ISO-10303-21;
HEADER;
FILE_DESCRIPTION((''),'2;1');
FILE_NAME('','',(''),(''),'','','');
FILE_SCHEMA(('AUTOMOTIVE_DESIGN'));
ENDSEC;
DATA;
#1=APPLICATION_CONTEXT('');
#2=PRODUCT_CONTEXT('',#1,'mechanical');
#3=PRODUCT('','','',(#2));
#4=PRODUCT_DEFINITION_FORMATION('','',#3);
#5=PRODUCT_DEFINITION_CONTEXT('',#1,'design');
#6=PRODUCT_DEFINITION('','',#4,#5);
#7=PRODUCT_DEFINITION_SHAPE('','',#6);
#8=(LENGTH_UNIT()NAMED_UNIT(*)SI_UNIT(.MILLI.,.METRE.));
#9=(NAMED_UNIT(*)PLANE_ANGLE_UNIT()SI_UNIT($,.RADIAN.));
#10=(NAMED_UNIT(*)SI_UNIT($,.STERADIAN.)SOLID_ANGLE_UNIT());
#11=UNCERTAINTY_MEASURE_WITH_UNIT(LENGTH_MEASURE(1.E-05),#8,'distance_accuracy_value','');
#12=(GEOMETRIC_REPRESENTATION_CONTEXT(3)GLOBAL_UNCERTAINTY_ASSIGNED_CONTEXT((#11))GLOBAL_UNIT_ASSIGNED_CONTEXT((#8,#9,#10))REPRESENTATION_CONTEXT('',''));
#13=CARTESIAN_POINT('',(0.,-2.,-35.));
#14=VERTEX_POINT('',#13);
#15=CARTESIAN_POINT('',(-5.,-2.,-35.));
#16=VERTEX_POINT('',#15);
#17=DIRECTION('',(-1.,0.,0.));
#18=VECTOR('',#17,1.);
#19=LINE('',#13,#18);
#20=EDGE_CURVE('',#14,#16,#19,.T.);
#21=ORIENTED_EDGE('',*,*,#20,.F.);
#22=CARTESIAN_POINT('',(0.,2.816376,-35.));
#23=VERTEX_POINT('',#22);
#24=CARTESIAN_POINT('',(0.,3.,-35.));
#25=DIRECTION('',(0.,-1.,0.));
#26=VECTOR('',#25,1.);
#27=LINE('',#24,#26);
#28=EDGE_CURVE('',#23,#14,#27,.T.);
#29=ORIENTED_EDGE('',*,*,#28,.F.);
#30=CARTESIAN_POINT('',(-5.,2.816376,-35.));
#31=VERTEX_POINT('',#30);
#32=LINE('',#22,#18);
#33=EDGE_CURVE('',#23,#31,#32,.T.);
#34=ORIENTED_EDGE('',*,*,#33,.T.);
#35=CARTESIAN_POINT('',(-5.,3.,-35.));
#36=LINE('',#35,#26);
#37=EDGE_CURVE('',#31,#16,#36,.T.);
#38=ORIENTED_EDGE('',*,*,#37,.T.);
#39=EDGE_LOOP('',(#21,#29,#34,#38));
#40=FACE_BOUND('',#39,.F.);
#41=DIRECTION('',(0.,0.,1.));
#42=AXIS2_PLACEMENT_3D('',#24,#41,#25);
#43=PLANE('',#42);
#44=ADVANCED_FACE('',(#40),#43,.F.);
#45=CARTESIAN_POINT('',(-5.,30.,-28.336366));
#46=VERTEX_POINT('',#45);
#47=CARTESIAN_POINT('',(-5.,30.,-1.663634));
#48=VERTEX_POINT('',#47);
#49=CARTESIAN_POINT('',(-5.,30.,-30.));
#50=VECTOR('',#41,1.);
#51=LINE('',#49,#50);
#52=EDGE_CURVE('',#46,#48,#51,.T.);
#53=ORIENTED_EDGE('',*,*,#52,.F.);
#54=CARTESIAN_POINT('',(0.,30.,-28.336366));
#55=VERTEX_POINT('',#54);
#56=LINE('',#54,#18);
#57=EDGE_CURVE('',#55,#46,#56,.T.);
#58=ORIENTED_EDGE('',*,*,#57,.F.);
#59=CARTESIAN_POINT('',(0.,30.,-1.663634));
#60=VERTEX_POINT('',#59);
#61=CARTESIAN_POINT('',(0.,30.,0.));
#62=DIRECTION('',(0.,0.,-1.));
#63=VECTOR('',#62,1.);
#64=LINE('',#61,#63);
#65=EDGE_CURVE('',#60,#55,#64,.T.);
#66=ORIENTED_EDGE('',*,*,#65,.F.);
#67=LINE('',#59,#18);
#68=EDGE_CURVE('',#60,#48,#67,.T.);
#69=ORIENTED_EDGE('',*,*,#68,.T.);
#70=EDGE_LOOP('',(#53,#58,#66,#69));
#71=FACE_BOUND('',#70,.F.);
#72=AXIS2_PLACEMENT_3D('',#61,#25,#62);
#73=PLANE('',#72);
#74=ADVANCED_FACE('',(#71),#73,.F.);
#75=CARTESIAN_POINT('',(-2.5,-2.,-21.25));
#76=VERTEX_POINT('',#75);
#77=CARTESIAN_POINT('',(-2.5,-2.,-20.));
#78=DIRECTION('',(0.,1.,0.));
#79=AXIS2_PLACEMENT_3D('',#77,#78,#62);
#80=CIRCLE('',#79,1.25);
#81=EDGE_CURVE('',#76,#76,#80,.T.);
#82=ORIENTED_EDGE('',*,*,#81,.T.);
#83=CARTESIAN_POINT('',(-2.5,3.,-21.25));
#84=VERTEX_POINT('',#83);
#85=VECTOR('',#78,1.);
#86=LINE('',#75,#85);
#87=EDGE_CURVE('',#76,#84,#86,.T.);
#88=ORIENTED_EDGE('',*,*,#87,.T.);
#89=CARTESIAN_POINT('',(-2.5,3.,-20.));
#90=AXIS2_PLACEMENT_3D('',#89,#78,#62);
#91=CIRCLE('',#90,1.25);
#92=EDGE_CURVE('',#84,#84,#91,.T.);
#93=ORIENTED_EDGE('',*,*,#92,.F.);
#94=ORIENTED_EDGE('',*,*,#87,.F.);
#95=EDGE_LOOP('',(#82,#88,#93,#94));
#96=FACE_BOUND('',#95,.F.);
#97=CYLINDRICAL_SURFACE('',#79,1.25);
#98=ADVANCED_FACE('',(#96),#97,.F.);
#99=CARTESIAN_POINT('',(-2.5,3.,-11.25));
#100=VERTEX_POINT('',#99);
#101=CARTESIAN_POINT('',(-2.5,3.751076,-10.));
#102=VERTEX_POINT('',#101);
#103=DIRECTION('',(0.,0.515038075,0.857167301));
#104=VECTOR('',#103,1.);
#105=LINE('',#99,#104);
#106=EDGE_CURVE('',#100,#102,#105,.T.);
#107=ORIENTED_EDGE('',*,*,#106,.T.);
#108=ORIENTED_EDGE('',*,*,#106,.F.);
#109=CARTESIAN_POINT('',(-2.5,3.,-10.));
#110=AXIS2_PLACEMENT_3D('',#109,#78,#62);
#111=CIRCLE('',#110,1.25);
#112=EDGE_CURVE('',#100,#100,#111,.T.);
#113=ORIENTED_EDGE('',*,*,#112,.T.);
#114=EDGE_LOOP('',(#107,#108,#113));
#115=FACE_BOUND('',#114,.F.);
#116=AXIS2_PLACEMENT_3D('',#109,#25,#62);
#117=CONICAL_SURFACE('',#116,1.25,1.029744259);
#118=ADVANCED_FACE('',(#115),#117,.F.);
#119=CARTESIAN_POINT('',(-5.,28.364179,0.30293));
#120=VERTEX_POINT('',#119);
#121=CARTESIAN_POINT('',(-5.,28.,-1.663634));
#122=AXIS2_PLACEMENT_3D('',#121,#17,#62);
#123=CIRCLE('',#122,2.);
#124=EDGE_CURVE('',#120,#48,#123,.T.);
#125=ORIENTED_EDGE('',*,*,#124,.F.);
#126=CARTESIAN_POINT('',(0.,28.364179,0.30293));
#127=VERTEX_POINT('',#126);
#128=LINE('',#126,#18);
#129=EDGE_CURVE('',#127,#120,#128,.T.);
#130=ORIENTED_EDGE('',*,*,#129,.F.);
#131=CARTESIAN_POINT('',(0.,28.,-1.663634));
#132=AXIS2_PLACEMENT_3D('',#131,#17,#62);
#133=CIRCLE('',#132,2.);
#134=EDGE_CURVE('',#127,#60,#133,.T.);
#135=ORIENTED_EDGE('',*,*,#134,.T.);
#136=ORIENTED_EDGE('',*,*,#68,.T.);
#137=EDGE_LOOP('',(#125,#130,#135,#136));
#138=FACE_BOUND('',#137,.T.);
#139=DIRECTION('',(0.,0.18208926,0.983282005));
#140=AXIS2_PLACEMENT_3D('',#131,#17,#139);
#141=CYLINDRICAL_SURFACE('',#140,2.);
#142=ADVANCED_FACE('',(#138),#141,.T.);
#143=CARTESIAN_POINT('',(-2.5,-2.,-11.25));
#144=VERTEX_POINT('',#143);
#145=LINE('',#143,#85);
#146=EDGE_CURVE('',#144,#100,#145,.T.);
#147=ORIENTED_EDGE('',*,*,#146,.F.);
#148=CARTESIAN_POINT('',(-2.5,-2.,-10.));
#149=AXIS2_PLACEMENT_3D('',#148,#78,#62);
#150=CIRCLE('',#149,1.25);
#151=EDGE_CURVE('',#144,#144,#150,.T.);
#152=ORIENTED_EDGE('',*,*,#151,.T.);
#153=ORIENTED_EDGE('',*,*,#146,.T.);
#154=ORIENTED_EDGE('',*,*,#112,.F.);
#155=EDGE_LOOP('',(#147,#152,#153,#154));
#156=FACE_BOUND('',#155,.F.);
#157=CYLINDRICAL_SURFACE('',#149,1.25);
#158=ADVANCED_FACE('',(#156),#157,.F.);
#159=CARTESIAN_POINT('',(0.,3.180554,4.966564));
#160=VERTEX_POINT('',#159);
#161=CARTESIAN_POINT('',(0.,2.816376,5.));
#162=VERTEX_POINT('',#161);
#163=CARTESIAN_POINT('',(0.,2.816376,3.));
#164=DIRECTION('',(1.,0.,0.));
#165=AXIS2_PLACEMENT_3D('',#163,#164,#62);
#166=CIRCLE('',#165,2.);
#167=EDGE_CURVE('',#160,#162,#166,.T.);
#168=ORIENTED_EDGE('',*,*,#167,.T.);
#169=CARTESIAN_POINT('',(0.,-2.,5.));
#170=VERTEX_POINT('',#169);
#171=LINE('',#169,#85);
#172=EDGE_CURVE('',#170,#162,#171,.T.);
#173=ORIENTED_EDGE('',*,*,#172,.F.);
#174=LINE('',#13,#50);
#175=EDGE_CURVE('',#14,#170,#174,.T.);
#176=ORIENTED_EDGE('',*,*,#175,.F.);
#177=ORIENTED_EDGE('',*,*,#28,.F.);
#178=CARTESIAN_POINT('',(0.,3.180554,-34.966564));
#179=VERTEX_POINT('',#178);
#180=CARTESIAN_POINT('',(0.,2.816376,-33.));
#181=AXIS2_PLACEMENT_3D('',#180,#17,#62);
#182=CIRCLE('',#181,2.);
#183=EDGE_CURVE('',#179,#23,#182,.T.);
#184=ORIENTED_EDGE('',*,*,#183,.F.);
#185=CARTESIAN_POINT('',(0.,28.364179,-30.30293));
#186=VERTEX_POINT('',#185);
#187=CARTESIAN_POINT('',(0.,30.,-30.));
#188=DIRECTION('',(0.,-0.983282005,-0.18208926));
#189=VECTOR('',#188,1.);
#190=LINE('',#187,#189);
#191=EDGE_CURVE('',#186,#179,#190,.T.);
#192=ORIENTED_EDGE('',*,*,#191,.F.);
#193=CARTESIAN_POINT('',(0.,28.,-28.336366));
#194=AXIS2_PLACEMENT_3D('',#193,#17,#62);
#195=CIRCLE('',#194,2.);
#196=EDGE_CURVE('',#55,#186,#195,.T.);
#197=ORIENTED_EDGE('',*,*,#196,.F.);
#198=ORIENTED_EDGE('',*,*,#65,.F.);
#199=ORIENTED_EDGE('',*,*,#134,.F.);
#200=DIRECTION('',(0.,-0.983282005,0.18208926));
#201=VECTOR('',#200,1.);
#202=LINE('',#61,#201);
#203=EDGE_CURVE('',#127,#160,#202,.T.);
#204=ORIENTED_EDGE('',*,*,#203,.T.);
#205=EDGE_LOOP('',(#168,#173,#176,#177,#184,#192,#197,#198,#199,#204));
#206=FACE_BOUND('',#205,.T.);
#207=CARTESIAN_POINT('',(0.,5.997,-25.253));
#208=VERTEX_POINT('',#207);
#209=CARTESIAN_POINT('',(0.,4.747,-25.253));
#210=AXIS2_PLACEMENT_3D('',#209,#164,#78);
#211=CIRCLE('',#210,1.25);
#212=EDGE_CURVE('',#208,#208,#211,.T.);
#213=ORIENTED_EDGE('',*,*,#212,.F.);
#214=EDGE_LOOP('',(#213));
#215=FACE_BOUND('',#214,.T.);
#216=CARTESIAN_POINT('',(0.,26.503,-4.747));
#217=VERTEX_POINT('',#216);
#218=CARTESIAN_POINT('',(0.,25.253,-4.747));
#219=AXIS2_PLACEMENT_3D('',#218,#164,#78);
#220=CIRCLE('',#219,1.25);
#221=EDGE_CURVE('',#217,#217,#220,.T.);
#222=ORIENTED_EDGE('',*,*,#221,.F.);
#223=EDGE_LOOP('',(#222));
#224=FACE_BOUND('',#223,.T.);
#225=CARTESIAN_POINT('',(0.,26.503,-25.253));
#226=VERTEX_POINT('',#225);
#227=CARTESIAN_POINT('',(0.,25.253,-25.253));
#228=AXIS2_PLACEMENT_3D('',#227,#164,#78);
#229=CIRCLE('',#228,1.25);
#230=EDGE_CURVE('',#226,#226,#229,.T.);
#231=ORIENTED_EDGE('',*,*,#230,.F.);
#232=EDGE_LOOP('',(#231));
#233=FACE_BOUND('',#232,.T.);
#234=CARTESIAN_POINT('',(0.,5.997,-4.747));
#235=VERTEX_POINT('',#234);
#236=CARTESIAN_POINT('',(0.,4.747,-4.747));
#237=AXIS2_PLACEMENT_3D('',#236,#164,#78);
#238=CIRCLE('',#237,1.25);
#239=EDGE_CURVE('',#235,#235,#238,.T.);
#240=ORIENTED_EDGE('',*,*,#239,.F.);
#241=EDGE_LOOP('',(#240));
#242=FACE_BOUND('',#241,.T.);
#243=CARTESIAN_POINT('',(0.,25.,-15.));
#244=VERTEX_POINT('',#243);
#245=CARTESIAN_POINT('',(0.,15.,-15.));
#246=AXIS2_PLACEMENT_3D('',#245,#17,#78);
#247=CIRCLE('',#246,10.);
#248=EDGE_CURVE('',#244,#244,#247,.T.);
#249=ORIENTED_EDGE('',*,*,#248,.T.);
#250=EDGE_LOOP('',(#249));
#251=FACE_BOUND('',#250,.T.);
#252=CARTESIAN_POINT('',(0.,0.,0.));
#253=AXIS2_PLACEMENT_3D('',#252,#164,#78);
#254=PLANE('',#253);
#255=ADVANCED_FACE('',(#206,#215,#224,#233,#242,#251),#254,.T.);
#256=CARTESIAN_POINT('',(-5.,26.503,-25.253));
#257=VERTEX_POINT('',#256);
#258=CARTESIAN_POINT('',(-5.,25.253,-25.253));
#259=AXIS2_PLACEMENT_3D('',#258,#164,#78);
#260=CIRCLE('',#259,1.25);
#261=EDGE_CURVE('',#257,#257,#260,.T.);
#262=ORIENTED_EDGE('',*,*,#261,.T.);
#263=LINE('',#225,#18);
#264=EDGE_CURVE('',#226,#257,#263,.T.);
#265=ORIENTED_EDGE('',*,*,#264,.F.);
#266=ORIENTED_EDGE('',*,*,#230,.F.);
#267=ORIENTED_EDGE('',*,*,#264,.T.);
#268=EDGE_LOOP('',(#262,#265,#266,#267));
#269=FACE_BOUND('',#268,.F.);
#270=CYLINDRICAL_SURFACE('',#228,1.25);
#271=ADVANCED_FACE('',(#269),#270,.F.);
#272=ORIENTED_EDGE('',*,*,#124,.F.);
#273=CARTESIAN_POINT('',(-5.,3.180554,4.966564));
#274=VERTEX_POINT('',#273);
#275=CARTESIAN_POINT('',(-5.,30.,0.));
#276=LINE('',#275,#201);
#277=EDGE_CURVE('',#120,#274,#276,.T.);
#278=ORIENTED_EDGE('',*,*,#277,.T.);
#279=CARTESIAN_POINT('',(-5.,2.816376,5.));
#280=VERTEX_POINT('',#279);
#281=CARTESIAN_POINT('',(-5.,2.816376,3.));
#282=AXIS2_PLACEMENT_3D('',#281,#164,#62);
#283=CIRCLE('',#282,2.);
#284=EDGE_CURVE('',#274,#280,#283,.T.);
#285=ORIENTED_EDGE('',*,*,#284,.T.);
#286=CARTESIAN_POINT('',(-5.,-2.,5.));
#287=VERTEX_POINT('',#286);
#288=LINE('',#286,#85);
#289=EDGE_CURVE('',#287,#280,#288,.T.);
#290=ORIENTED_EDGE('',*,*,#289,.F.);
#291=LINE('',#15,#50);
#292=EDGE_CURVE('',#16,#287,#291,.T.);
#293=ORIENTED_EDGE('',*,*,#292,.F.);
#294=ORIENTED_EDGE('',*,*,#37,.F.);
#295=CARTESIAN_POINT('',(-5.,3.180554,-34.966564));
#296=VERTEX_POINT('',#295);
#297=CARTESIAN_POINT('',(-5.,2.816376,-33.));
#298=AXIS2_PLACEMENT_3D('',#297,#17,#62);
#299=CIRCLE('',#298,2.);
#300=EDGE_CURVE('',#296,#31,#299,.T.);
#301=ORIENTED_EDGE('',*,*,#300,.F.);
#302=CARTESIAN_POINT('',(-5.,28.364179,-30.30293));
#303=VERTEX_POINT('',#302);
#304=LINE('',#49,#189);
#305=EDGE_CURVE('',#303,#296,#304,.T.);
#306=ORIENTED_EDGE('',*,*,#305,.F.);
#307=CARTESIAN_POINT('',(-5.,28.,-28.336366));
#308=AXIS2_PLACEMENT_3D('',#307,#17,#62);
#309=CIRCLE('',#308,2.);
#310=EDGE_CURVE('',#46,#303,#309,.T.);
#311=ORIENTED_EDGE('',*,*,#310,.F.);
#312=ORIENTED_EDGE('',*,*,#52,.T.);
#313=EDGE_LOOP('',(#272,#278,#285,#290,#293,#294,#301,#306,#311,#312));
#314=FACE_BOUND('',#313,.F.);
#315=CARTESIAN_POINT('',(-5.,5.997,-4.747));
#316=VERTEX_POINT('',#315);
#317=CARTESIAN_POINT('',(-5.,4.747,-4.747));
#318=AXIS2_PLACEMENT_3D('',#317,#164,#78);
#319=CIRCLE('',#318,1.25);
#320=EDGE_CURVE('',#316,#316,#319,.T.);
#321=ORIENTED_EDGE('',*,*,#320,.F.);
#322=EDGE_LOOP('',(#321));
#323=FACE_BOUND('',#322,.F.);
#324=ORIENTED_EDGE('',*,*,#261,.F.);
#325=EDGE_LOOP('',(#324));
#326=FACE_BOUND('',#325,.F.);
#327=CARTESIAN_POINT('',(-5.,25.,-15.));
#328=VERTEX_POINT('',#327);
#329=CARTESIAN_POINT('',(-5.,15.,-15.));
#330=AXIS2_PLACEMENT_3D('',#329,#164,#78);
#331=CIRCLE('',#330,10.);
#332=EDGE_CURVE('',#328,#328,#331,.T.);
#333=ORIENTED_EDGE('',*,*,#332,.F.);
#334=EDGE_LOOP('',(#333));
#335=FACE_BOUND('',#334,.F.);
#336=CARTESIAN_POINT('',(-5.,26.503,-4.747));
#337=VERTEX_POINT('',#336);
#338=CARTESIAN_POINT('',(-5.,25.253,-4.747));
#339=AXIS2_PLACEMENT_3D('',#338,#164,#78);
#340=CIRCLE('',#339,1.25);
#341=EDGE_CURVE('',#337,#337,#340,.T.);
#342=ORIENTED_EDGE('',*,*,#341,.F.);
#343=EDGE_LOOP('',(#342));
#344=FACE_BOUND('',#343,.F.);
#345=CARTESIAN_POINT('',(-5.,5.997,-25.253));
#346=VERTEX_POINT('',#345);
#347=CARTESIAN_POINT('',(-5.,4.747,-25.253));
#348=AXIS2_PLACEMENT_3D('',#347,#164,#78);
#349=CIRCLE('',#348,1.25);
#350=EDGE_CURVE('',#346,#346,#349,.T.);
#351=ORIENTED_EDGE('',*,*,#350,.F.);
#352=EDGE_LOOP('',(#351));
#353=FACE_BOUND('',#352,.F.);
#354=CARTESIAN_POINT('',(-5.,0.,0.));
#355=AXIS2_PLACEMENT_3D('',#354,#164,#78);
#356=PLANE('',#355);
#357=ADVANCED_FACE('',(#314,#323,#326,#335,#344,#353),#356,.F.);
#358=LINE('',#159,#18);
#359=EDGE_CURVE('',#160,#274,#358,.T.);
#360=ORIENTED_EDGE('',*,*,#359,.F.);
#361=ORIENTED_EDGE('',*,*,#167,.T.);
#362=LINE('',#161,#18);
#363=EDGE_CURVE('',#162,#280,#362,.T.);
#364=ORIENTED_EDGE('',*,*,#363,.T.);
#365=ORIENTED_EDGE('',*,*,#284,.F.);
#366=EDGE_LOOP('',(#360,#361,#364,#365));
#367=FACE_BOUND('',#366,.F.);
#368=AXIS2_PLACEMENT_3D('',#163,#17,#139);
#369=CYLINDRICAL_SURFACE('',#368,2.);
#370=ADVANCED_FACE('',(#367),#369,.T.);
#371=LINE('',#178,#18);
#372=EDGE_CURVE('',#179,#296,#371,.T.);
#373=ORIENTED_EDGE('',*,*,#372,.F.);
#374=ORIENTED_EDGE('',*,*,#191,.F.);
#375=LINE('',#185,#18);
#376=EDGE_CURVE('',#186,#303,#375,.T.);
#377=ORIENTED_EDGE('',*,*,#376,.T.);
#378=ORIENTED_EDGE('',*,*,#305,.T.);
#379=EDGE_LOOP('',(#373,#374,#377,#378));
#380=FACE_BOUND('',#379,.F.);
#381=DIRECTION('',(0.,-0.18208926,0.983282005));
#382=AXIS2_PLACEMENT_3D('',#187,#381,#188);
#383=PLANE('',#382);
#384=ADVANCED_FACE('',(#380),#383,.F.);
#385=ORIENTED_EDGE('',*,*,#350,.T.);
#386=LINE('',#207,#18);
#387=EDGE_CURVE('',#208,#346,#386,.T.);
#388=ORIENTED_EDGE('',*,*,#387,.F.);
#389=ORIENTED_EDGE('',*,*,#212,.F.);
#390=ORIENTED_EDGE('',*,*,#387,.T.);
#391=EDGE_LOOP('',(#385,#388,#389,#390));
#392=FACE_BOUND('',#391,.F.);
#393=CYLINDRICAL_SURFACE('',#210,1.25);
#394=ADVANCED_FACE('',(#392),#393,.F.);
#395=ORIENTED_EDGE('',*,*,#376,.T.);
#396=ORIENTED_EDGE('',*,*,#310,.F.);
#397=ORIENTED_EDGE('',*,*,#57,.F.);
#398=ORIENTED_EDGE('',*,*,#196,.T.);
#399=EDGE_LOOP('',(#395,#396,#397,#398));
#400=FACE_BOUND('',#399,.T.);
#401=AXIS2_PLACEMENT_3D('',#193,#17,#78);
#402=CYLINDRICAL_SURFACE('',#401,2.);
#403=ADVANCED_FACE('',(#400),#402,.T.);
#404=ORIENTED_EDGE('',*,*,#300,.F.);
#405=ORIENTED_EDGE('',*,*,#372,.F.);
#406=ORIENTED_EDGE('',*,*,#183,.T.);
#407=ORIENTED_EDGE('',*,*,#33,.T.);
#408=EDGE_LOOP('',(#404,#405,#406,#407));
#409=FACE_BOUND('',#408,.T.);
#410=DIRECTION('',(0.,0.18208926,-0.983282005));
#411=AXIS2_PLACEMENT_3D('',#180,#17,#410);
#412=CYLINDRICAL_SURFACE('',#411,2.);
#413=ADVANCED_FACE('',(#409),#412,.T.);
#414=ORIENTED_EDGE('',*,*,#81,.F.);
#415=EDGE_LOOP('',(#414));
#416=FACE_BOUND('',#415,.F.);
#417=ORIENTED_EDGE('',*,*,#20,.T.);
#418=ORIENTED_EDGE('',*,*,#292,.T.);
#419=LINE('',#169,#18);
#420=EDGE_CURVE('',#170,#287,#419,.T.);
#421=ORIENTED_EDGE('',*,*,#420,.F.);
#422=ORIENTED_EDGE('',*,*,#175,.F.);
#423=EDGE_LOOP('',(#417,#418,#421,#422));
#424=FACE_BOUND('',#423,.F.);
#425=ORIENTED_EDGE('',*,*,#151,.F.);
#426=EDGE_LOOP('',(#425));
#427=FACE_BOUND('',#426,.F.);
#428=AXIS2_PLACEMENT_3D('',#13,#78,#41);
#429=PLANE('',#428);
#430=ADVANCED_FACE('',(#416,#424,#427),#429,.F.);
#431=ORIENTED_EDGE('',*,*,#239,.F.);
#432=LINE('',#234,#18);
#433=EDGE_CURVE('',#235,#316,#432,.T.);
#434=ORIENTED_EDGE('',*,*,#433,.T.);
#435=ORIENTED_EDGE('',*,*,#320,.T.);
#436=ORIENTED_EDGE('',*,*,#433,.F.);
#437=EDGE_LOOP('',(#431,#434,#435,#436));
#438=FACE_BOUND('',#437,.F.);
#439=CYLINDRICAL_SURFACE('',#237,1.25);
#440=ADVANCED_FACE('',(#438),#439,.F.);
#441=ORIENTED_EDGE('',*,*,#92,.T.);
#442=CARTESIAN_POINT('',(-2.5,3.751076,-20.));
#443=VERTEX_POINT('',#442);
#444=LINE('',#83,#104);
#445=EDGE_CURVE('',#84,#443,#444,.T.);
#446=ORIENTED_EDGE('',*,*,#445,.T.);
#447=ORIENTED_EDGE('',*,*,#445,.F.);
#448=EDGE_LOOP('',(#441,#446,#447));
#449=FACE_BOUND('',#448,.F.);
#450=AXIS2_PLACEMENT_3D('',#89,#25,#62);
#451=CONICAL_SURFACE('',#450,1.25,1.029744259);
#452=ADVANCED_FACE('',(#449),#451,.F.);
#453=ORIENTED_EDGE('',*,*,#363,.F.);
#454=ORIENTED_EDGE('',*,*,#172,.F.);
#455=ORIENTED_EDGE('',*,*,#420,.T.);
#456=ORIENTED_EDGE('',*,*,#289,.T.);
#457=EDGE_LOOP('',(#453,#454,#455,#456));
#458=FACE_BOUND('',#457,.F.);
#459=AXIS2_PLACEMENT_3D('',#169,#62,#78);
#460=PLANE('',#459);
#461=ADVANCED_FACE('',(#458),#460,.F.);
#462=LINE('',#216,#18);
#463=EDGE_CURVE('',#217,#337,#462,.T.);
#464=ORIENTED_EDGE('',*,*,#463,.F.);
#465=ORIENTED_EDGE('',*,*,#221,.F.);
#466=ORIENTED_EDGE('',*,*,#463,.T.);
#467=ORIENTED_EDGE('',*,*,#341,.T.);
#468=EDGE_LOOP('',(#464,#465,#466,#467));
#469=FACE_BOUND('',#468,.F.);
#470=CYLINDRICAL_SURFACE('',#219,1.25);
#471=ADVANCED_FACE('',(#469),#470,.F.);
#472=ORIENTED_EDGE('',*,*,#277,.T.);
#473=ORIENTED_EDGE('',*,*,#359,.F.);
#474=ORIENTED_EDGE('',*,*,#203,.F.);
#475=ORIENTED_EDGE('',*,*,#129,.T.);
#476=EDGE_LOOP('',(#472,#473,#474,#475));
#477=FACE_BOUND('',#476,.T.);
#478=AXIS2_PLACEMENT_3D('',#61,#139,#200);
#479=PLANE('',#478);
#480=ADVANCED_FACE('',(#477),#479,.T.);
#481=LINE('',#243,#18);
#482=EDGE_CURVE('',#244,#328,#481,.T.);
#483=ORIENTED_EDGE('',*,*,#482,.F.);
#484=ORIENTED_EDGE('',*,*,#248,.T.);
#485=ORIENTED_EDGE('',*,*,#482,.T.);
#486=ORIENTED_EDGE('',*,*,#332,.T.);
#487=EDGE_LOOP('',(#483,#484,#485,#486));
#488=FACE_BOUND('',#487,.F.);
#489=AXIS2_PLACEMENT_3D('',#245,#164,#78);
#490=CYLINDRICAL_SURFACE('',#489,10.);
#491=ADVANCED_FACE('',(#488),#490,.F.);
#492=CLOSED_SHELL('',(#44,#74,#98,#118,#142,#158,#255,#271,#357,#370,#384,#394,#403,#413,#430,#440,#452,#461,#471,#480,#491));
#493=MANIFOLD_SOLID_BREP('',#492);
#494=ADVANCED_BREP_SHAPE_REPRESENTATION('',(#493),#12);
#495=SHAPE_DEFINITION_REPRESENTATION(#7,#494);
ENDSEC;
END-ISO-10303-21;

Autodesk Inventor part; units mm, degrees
ref_plane "YZ Plane" through (0, 0, 0) normal (1, 0, 0) x (0, 1, 0)
ref_plane "XZ Plane" through (0, 0, 0) normal (0, 1, 0) x (-1, 0, 0)
ref_plane "XY Plane" through (0, 0, 0) normal (0, 0, 1) x (1, 0, 0)
sketch "スケッチ1" plane through (0, 0, 0) normal (1, 0, 0) x (0, 1, 0)
  line L0 (0, 0) -> (30, 0)
  line L1 (30, 0) -> (30, -30)
  line L2 (30, -30) -> (0, -30)
  line L3 (0, -30) -> (0, 0)
  circle A0 centre (25.253, -4.747) radius 1.25
  line L4 (15, 0) -> (15, -30)
  line L5 (30, -15) -> (0, -15)
  circle A1 centre (4.747, -4.747) radius 1.25
  circle A2 centre (25.253, -25.253) radius 1.25
  circle A3 centre (4.747, -25.253) radius 1.25
  line L6 (-2, 5) -> (3, 5)
  line L7 (3, 5) -> (3, -35)
  line L8 (3, -35) -> (-2, -35)
  line L9 (-2, -35) -> (-2, 5)
  line L10 (30, 0) -> (3, 5)
  line L11 (30, -30) -> (3, -35)
  circle A4 centre (15, -15) radius 10
  dimension "d0" = 30
  dimension "d1" = 30
  dimension "d2" = 2.5
  dimension "d3" = 4.747
  dimension "d4" = 4.747
  dimension "d5" = 5
  dimension "d6" = 2
  dimension "d7" = 5
  dimension "d8" = 5
  dimension "d12" = 20
extrude "押し出し1" add sketch "スケッチ1" against normal blind 5 contours L0 L7 L10 | L4 A4 L5 L7 L0 | L0 L1 L5 A4 L4 | L7 L5 L3 L0 | L0 L3 L2 L7 L8 L9 L6 | L1 L2 L4 A4 L5 | L7 L2 L3 L5 | L5 A4 L4 L2 L7 | L11 L7 L2
fillet "フィレット1" radius 2 4 edges at (-2.5, 30, 0) (-2.5, 3, 5) (-2.5, 30, -30) (-2.5, 3, -35)
sketch "スケッチ2" plane through (0, -2, -35) normal (0, -1, 0) x (1, 0, 0)
  line L0 (0, 0) -> (-5, 0) projected
  line L1 (-2.5, 0) -> (-2.5, 40)
  line L2 (0, 40) -> (-5, 40) projected
  point P0 (0, 35)
  point P1 (-2.5, 15)
  point P2 (-2.5, 25)
  dimension "d13" = 15
  dimension "d14" = 10
hole "穴1" at (-2.5, -2, -20) at (-2.5, -2, -10) direction (0, 1, 0) diameter 2.5 depth 5 tip angle 118
equation "\"d4\" = d3"
properties part number "belt_liner_v5_Plate_12" material "アルミニウム 6061"
